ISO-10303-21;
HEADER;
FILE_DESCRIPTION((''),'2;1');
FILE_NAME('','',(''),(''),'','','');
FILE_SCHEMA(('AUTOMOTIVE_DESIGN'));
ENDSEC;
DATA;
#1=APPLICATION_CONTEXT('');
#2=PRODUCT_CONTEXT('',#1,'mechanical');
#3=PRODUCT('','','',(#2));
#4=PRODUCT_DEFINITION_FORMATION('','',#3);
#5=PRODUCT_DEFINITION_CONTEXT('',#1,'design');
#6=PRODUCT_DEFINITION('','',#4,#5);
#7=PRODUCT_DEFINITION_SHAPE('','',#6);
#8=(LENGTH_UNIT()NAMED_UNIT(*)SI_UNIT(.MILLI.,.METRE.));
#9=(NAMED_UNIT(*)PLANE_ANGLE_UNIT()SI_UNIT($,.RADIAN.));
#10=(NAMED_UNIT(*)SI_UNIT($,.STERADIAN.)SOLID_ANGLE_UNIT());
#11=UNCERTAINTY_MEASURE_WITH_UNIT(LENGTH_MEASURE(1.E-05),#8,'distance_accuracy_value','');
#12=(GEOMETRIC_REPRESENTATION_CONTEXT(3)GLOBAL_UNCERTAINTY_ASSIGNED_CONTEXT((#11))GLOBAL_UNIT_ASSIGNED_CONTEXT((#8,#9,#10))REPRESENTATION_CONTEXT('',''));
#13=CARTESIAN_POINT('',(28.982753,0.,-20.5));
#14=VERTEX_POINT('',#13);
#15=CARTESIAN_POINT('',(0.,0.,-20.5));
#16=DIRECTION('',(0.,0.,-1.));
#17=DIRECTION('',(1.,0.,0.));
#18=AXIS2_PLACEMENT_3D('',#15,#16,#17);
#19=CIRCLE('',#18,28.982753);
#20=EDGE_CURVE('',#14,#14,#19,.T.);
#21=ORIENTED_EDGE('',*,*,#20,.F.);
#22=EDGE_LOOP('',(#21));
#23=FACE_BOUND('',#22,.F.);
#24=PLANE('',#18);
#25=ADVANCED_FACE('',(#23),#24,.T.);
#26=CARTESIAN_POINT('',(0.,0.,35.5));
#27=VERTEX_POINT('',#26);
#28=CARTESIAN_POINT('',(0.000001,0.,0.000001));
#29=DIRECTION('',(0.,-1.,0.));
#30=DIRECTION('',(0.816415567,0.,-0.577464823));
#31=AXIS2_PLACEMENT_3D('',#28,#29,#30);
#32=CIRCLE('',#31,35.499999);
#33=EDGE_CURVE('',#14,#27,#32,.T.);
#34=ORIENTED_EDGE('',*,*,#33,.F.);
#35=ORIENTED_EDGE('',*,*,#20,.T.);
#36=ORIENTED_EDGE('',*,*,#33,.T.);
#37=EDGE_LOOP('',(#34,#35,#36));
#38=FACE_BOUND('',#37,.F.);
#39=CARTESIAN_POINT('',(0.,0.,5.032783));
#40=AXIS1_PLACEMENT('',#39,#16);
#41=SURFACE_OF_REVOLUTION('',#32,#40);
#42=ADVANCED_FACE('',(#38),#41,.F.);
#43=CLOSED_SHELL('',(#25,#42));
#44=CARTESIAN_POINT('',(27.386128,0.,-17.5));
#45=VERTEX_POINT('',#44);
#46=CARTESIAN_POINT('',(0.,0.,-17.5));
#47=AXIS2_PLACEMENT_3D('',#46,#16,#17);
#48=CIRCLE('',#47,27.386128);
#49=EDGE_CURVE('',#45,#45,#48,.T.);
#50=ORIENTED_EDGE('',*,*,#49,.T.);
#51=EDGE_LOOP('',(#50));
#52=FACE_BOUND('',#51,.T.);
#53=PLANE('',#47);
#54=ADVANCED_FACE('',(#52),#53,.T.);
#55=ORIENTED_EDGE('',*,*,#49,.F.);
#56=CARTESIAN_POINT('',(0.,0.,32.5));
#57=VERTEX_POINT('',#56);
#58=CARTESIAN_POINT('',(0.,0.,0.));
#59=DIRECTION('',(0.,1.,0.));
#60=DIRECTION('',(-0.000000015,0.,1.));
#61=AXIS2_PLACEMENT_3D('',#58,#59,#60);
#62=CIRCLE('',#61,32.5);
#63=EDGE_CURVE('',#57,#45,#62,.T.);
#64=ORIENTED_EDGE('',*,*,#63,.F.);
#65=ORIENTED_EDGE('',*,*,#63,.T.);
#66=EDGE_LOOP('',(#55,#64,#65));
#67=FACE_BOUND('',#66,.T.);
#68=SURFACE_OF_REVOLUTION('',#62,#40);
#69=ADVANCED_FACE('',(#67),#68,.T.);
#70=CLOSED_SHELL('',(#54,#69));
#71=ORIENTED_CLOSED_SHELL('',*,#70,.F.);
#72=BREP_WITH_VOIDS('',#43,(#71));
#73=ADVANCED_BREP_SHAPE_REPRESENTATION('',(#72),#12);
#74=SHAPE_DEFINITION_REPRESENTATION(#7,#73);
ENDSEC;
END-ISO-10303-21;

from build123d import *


with BuildPart() as f1:
    # F0 (on Front) → F1 (revolve)
    with BuildSketch(Plane.XZ):
        with BuildLine():
            ThreePointArc((0, 32.5), (28.504386, 15.612495), (27.386128, -17.5))
            Line((27.386128, -17.5), (0, -17.5))
            Line((0, -17.5), (0, -20.5))
            Line((0, -20.5), (28.982753, -20.5))
            ThreePointArc((28.982753, -20.5), (31.527766, 16.317169), (0, 35.5))
            Line((0, 35.5), (0, 32.5))
        make_face()
    revolve(axis=Axis((0, 0, 5.032783), (0, 0, -1)))


solid = f1.part
